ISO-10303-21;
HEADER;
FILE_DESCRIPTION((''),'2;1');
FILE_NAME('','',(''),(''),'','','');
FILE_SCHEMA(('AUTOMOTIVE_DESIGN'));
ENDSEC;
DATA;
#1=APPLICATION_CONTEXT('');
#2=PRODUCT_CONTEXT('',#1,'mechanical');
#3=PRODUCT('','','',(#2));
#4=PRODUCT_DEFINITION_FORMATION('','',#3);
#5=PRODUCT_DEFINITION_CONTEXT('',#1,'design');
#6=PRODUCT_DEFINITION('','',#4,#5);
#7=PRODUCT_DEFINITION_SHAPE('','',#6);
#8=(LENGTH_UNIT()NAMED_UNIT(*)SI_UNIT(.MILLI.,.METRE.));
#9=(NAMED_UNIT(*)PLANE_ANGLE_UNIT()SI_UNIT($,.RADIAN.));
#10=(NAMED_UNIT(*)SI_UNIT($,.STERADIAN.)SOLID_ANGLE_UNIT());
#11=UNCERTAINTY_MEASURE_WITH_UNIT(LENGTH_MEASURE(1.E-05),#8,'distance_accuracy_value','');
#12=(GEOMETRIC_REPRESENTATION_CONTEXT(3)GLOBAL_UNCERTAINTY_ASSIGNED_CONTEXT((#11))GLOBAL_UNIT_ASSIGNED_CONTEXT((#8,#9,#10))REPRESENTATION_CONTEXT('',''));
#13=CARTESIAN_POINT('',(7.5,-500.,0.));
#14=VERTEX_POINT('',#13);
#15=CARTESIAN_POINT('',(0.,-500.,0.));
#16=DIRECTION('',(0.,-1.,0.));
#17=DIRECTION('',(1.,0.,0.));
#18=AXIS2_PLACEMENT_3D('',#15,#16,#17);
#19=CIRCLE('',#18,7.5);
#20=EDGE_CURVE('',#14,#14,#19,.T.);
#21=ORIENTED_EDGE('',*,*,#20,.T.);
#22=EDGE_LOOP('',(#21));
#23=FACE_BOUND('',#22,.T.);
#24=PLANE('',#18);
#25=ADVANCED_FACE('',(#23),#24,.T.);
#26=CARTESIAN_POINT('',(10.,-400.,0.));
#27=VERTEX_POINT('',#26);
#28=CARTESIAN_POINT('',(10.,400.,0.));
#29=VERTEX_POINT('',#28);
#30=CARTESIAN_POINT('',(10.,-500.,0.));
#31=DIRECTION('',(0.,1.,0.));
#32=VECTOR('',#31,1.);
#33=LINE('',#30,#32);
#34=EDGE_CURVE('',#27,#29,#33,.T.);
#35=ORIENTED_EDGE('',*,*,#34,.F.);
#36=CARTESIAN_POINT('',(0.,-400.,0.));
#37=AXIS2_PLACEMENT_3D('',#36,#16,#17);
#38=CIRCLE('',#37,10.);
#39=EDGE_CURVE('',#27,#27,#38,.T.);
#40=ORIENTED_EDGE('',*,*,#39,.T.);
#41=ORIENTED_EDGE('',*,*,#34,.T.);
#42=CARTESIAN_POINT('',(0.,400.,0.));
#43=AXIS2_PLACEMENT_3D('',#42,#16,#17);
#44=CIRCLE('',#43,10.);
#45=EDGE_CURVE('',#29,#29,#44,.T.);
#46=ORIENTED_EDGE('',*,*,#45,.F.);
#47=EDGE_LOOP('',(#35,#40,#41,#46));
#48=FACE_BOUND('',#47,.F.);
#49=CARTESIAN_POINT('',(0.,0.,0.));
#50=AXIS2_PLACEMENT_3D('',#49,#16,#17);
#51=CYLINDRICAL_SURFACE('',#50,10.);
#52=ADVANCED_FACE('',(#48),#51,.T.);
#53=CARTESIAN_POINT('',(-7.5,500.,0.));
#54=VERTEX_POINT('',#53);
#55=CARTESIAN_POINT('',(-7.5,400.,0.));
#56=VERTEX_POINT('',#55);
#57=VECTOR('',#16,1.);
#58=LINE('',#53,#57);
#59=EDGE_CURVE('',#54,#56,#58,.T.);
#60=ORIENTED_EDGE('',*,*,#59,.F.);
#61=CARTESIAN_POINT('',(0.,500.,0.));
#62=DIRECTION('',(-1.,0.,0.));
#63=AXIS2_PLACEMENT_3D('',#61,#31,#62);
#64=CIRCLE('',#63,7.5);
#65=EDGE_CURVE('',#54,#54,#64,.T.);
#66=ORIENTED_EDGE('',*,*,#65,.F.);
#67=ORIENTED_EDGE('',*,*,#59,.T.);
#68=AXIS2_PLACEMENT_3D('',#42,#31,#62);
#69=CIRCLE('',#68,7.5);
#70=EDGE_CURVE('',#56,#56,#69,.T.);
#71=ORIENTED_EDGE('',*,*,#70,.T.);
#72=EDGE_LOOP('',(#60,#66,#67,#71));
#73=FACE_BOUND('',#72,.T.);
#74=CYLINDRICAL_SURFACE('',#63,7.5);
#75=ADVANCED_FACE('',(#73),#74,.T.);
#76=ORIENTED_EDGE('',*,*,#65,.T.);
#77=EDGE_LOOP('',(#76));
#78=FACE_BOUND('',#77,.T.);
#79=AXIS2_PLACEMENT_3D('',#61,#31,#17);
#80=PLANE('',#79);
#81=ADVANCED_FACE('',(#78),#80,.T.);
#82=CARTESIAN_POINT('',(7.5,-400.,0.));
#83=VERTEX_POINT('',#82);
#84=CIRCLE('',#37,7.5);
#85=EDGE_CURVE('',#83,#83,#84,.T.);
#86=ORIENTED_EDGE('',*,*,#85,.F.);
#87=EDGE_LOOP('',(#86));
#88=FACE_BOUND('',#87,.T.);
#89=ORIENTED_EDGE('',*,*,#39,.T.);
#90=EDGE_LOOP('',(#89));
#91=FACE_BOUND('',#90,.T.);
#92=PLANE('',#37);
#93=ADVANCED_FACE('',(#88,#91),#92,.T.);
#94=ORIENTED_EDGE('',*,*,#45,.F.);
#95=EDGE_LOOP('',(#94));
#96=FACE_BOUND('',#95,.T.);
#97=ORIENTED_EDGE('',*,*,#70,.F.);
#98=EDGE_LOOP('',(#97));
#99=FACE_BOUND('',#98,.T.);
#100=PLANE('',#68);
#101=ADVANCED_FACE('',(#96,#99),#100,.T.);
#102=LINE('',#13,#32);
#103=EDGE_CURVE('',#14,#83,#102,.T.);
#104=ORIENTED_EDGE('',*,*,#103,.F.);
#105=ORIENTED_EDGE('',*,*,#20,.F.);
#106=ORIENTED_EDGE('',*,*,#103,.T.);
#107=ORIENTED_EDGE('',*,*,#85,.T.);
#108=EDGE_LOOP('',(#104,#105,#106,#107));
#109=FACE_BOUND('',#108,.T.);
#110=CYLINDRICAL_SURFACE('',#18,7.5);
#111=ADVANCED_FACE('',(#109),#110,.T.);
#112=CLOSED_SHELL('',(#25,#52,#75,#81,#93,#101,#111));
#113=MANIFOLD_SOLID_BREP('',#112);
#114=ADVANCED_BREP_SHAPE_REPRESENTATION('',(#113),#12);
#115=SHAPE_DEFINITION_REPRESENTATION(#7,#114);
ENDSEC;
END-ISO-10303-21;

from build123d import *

# Parameters (mm, degrees)
F0_R      = 10
F1_DEPTH  = 500
F1_FACE_R = 10
F2_DEPTH  = 500
F3_R      = 10
F3_R_2    = 7.5
F4_DEPTH  = 100
F5_R      = 10
F5_R_2    = 7.5
F6_DEPTH  = 100


with BuildPart() as f1:
    # F0 (on Front) → F1 (new body)
    with BuildSketch(Plane.XZ):
        Circle(F0_R)
    extrude(amount=F1_DEPTH)

    # F1_face (on face) → F2 (join)
    with BuildSketch(Plane(origin=(0, 0, 0), x_dir=(1, 0, 0), z_dir=(0, 1, 0))):
        Circle(F1_FACE_R)
    extrude(amount=F2_DEPTH)

    # F3 (on face) → F4 (cut)
    with BuildSketch(Plane(origin=(0, 500, 0), x_dir=(-1, 0, 0), z_dir=(0, 1, 0))):
        Circle(F3_R)
        Circle(F3_R_2, mode=Mode.SUBTRACT)
    extrude(amount=-F4_DEPTH, mode=Mode.SUBTRACT)

    # F5 (on face) → F6 (cut)
    with BuildSketch(Plane.XZ.offset(500)):
        Circle(F5_R)
        Circle(F5_R_2, mode=Mode.SUBTRACT)
    extrude(amount=-F6_DEPTH, mode=Mode.SUBTRACT)


solid = f1.part
